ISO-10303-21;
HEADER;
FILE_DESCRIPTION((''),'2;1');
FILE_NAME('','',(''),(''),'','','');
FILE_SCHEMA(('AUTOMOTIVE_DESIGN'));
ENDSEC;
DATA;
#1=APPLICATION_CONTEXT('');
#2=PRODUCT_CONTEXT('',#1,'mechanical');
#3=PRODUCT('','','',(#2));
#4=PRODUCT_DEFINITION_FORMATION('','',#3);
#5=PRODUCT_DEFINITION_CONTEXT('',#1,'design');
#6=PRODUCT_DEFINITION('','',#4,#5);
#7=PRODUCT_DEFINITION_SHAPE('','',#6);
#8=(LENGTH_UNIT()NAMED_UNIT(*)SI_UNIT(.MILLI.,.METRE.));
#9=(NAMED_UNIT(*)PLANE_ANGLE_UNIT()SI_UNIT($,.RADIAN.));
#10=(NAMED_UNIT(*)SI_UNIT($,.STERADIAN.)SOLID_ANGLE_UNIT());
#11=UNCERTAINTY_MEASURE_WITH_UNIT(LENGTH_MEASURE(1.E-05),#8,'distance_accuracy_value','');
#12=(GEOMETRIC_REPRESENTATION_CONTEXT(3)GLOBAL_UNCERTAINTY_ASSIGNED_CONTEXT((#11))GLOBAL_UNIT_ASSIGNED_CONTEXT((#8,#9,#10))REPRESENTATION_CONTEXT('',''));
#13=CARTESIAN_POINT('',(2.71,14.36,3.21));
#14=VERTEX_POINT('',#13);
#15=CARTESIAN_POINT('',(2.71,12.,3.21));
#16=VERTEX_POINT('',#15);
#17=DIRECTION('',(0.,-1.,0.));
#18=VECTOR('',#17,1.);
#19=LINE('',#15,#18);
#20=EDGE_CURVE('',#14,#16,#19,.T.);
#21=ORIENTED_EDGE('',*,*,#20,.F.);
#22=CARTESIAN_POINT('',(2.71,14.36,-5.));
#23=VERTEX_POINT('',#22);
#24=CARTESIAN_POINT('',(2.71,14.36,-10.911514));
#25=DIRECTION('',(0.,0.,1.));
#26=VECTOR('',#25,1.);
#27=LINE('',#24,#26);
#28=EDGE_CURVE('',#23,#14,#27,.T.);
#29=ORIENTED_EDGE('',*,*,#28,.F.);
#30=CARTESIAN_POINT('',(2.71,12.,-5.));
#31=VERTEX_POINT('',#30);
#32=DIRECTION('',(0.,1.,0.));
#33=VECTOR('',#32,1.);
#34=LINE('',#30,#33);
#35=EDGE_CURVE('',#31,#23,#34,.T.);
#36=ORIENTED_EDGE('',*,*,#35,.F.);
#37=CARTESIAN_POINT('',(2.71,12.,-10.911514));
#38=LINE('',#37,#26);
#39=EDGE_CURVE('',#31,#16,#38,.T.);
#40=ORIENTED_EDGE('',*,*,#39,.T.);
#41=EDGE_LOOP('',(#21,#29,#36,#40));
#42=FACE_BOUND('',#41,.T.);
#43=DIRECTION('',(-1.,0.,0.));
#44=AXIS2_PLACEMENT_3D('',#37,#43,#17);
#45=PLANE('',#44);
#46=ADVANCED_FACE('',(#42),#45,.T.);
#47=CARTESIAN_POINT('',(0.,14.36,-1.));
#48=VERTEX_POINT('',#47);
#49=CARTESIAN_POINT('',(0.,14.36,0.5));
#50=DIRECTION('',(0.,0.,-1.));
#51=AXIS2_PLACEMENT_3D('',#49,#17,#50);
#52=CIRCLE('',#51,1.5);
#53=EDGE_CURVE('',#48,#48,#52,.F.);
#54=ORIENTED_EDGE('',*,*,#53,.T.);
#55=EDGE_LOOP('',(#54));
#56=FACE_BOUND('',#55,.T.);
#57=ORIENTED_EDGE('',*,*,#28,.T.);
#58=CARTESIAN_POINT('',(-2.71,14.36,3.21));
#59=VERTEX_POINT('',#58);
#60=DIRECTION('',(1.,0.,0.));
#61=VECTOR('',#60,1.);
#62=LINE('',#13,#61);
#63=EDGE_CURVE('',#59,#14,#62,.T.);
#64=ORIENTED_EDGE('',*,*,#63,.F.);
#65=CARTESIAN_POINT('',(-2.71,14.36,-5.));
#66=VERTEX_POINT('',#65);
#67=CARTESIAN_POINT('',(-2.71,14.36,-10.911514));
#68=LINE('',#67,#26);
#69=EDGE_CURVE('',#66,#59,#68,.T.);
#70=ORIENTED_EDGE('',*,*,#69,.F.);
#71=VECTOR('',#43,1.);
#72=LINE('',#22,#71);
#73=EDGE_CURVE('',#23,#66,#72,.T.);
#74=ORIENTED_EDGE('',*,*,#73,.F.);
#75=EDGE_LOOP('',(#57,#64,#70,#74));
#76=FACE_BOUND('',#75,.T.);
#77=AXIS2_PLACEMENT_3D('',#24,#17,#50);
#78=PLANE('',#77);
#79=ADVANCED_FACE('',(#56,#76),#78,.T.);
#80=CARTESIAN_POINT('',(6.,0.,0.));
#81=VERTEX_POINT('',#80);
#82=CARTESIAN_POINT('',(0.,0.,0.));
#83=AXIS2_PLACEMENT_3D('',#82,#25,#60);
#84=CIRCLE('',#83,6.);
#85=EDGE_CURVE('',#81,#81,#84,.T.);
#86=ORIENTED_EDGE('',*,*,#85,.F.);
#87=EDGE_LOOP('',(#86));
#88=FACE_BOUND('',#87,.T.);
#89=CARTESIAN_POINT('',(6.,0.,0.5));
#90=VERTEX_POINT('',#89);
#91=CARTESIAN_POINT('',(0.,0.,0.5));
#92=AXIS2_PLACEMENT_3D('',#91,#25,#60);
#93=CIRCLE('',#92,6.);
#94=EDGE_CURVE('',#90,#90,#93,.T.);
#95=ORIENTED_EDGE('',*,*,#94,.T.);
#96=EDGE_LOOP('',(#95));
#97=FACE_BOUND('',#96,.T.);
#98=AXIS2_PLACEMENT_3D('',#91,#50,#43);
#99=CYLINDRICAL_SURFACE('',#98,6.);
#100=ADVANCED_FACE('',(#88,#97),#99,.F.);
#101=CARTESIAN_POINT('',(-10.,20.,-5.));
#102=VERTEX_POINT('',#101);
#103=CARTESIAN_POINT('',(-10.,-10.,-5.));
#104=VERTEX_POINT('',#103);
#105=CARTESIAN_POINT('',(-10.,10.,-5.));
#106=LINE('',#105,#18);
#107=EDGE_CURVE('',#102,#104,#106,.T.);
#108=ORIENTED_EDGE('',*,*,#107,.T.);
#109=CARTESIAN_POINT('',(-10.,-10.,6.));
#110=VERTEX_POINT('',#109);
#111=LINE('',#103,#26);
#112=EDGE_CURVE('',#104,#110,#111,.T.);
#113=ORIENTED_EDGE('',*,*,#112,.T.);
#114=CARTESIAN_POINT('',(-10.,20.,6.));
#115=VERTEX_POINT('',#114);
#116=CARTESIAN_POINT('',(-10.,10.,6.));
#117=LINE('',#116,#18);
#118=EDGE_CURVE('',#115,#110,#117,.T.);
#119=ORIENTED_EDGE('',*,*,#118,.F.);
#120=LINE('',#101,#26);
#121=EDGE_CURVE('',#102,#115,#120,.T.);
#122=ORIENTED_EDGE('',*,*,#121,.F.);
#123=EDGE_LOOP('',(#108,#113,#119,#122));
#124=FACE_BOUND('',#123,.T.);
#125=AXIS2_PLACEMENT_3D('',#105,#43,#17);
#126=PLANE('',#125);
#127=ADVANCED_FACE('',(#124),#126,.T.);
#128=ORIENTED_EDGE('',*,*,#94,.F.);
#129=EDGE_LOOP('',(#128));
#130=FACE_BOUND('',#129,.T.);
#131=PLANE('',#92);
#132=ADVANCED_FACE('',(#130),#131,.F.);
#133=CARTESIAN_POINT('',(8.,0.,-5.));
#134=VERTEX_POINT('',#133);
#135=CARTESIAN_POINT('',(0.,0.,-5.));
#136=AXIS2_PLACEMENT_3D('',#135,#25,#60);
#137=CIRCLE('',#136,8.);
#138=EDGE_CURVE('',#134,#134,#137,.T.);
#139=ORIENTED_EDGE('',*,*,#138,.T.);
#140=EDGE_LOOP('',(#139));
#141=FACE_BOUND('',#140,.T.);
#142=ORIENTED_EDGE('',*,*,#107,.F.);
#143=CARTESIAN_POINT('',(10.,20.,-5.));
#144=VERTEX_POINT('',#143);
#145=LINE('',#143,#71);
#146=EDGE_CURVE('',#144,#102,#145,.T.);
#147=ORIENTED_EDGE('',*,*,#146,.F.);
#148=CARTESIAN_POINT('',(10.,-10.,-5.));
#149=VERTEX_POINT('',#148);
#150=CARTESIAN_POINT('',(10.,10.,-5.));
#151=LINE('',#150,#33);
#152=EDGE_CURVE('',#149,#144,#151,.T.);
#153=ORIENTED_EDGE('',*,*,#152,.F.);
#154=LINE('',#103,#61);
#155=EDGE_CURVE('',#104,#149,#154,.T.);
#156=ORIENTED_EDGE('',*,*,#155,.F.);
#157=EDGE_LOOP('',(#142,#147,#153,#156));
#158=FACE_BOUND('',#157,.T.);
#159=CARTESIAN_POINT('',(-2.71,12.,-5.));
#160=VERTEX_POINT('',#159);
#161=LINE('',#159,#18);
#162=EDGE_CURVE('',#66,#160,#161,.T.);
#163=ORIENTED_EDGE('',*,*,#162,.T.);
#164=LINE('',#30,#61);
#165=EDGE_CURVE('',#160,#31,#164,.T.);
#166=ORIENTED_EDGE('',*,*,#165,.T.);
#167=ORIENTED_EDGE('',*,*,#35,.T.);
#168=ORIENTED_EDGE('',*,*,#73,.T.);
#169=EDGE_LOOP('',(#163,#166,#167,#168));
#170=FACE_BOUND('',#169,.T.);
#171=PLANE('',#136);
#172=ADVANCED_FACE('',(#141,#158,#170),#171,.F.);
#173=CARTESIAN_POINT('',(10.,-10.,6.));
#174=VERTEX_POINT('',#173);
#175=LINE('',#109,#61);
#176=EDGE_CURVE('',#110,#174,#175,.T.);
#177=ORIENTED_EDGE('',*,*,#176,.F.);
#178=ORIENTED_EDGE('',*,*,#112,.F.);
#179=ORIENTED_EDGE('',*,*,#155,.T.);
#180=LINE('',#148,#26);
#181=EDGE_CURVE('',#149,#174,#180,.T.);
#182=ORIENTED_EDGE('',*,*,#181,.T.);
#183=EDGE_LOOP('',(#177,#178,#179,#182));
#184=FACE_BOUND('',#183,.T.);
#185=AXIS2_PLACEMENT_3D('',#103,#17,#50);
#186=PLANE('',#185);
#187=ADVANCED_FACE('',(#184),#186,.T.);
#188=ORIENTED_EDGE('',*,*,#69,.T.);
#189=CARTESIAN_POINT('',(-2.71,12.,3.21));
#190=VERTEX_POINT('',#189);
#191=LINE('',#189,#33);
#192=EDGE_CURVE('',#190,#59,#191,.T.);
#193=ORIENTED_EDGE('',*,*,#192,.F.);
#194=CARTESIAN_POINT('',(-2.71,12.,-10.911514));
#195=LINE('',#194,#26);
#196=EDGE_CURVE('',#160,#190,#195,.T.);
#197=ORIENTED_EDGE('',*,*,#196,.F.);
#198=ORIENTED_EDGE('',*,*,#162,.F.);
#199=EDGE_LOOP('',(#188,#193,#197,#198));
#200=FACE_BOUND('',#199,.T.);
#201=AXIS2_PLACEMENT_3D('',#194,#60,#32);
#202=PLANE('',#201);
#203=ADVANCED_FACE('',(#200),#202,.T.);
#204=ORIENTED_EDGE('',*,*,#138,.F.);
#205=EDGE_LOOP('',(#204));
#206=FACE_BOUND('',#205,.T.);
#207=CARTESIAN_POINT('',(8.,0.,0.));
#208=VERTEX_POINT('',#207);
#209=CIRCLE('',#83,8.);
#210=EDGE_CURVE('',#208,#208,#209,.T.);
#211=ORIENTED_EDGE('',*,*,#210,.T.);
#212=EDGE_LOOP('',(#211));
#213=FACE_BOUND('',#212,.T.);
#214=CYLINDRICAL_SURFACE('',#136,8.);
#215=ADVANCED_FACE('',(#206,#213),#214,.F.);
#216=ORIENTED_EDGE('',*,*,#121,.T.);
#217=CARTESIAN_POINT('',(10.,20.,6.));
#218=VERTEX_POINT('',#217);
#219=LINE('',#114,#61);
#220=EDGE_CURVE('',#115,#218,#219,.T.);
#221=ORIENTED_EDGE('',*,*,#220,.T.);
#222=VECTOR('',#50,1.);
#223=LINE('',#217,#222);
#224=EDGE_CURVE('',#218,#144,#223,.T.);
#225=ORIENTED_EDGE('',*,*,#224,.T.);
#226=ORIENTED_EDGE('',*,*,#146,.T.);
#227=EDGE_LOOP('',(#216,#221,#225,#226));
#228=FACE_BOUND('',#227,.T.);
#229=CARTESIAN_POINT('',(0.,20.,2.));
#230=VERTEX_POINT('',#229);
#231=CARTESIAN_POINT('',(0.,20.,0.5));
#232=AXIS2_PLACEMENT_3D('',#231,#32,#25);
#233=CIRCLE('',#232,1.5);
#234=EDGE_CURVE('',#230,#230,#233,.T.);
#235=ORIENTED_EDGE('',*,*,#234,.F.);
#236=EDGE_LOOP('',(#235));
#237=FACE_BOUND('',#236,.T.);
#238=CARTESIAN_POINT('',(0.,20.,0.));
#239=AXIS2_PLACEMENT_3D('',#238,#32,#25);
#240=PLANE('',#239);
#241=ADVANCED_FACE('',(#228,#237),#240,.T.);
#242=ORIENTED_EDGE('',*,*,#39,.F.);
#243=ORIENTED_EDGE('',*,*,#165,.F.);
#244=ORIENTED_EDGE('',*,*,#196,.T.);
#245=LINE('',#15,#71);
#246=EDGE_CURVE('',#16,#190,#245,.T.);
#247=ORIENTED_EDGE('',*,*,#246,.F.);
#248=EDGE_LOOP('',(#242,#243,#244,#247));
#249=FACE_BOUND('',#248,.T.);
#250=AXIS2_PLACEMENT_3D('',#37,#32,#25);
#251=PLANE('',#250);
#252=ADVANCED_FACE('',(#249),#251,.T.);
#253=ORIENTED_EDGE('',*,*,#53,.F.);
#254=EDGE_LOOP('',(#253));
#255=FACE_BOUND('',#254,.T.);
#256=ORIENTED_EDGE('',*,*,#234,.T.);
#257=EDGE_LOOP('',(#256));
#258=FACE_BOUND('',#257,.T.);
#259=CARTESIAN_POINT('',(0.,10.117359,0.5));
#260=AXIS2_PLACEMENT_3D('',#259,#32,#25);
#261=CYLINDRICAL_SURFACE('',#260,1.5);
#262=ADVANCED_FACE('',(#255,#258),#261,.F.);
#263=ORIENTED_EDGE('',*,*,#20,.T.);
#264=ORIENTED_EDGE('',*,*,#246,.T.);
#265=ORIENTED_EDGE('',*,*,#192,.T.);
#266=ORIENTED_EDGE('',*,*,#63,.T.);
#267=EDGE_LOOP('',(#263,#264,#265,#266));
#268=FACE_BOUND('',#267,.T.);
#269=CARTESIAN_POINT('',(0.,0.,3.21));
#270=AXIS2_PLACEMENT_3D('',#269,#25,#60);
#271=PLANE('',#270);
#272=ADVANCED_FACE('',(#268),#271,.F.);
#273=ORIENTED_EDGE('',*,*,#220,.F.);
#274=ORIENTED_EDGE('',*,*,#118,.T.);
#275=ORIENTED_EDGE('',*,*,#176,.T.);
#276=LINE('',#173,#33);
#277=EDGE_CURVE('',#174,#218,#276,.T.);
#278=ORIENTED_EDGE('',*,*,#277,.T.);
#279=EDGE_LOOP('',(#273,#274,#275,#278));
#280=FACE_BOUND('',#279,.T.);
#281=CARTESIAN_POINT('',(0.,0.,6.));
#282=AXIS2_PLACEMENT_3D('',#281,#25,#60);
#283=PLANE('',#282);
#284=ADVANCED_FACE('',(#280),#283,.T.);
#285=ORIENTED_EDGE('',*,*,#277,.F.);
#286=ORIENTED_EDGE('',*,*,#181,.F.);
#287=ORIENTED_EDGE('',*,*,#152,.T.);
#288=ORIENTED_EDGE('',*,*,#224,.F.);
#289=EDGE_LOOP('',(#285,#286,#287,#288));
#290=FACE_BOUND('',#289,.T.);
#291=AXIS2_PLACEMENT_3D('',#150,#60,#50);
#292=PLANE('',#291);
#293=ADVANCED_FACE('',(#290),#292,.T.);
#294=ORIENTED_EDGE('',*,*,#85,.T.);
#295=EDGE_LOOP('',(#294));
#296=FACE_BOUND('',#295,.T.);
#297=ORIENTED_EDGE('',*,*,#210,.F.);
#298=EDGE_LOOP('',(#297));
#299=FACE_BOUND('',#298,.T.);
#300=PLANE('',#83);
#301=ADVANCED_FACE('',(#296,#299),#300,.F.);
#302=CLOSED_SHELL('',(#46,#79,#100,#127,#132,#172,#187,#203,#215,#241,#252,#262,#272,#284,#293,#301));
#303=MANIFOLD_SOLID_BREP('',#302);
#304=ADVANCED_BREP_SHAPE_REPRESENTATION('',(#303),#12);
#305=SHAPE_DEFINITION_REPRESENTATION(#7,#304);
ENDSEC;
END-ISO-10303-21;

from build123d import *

# Parameters (mm, degrees)
SKETCH1_W           = 20
SKETCH1_H           = 20
SKETCH1_R           = 8
FIRSTLAYER_DEPTH    = 5
SKETCH2_W           = 20
SKETCH2_H           = 20
SKETCH2_R           = 6
SECONDLAYER_DEPTH   = 0.5
SKETCH3_W           = 20
SKETCH3_H           = 20
THIRDLAYER_DEPTH    = 5.5
SKETCH4_W           = 20
SKETCH4_H           = 11
BOSS_EXTRUDE4_DEPTH = 10
SKETCH10_W          = 5.42
SKETCH10_H          = 2.36
NUT_HOLE_DEPTH      = 5.5
NUT_HOLE_DEPTH_BACK = 2.71
SKETCH11_R          = 1.5
SCREW_HOLE_DEPTH    = 5.64


with BuildPart() as part:
    # Sketch1 → FirstLayer (new body)
    with BuildSketch(Plane.XY):
        Rectangle(SKETCH1_W, SKETCH1_H)
        Circle(SKETCH1_R, mode=Mode.SUBTRACT)
    extrude(amount=-FIRSTLAYER_DEPTH)

    # Sketch2 → SecondLayer (add)
    with BuildSketch(Plane.XY):
        Rectangle(SKETCH2_W, SKETCH2_H)
        Circle(SKETCH2_R, mode=Mode.SUBTRACT)
    extrude(amount=SECONDLAYER_DEPTH)

    # Sketch3 → ThirdLayer (add)
    with BuildSketch(Plane.XY.offset(0.5)):
        Rectangle(SKETCH3_W, SKETCH3_H)
    extrude(amount=THIRDLAYER_DEPTH)

    # Sketch4 → Boss-Extrude4 (add)
    with BuildSketch(Plane(origin=(0, 10, 0), x_dir=(1, 0, 0), z_dir=(0, 1, 0))):
        with Locations((0, -0.5)):
            Rectangle(SKETCH4_W, SKETCH4_H)
    extrude(amount=BOSS_EXTRUDE4_DEPTH)

    # Sketch10 → Nut Hole (cut, two sides)
    with BuildSketch(Plane(origin=(0, 0, 0.5), x_dir=(-1, 0, 0), z_dir=(0, 0, -1))) as nut_hole_sk:
        with Locations((0, 13.18)):
            Rectangle(SKETCH10_W, SKETCH10_H)
    extrude(amount=NUT_HOLE_DEPTH, mode=Mode.SUBTRACT)
    extrude(nut_hole_sk.sketch, amount=-NUT_HOLE_DEPTH_BACK, mode=Mode.SUBTRACT)

    # Sketch11 → Screw Hole (cut)
    with BuildSketch(Plane(origin=(0, 20, 0), x_dir=(1, 0, 0), z_dir=(0, 1, 0))):
        with Locations((0, -0.5)):
            Circle(SKETCH11_R)
    extrude(amount=-SCREW_HOLE_DEPTH, mode=Mode.SUBTRACT)


solid = part.part
